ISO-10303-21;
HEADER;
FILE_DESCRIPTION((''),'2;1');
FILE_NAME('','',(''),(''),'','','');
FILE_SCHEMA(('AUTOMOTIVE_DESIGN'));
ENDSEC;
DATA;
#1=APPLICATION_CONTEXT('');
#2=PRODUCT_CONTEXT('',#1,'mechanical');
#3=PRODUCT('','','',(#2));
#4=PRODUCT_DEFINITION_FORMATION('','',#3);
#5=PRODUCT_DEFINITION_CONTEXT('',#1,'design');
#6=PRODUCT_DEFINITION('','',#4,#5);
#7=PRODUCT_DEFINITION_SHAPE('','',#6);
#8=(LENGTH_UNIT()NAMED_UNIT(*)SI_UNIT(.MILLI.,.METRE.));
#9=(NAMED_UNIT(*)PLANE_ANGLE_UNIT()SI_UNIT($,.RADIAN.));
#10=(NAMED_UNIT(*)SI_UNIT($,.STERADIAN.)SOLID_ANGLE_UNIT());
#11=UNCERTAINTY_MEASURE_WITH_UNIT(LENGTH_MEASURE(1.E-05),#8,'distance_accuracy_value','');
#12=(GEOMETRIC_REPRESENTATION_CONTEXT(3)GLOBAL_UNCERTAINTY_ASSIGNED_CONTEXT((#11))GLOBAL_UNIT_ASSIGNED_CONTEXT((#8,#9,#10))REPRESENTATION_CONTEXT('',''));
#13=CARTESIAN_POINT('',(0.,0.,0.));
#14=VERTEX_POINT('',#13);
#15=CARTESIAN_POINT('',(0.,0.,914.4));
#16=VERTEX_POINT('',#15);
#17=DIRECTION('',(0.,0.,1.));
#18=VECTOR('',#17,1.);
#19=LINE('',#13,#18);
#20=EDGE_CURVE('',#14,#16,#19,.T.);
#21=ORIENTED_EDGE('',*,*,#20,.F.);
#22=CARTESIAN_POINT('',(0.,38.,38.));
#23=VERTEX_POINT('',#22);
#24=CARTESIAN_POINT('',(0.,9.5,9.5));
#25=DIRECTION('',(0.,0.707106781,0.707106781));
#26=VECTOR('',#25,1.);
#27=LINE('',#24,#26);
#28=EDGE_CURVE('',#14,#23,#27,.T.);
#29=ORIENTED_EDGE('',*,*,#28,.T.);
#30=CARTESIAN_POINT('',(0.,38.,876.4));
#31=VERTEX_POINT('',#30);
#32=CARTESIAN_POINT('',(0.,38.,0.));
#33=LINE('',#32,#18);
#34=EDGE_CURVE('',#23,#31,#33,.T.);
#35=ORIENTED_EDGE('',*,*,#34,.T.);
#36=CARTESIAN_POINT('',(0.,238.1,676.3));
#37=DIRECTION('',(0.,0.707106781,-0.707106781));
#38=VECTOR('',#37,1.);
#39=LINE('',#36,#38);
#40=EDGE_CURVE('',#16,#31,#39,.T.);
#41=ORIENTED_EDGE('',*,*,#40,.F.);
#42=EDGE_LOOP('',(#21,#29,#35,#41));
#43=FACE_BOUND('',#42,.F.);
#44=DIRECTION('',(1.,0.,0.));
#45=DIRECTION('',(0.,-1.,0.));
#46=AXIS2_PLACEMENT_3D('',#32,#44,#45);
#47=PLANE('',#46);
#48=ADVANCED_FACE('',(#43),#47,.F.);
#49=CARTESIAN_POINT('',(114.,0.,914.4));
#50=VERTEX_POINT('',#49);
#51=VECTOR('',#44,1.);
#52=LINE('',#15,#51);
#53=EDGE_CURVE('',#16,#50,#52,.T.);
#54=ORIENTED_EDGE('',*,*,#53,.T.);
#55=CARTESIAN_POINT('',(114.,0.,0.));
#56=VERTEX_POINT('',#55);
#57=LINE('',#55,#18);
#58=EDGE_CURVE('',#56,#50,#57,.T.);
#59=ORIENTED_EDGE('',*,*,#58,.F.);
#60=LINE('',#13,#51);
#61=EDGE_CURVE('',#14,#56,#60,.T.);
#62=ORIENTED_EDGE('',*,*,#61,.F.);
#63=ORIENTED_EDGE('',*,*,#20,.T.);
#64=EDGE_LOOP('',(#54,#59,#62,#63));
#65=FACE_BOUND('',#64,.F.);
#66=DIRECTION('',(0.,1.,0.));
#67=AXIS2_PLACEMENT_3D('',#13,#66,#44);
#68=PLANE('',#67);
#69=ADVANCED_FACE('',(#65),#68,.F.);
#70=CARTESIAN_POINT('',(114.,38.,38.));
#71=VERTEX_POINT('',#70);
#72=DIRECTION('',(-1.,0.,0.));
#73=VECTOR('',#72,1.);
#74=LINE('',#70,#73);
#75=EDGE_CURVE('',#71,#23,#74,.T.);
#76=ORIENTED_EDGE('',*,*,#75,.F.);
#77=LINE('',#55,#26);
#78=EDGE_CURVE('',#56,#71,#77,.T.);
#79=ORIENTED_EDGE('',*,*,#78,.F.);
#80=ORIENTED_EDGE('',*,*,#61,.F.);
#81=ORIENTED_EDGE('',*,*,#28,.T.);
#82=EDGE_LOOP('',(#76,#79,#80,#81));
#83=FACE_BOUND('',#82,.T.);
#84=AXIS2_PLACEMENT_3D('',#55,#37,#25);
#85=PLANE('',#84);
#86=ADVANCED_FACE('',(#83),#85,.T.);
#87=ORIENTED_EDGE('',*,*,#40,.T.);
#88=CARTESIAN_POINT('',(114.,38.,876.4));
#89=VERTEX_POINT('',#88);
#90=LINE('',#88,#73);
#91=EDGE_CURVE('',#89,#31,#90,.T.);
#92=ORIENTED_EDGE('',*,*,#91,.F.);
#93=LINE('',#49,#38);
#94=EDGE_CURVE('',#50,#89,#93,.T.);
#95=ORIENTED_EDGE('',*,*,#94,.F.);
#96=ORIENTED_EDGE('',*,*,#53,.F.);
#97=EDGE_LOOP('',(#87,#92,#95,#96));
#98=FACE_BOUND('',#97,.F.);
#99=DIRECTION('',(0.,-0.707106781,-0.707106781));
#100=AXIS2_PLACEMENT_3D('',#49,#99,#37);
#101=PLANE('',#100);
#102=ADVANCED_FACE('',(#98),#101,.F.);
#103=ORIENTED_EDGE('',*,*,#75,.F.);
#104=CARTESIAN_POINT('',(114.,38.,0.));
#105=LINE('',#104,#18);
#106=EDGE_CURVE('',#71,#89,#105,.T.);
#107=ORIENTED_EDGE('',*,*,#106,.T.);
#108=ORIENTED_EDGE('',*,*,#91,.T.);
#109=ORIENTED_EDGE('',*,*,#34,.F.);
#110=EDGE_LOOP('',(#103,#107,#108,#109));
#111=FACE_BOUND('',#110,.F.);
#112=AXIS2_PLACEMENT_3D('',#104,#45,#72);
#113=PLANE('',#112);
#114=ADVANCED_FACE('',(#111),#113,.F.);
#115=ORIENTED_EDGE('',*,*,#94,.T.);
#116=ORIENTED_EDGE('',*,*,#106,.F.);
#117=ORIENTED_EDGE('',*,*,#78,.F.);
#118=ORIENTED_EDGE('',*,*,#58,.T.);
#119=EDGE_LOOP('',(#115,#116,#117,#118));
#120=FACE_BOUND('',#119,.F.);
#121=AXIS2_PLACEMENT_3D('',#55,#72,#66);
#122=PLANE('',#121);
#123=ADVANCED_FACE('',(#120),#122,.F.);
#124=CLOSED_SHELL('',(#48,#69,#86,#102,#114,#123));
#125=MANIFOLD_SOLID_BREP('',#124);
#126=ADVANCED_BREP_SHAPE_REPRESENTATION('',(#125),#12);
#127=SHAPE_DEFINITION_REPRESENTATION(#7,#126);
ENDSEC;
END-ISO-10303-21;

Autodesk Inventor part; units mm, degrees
ref_plane "YZ Plane" through (0, 0, 0) normal (1, 0, 0) x (0, 1, 0)
ref_plane "XZ Plane" through (0, 0, 0) normal (0, 1, 0) x (-1, 0, 0)
ref_plane "XY Plane" through (0, 0, 0) normal (0, 0, 1) x (1, 0, 0)
sketch "Sketch1" plane through (0, 0, 0) normal (0, 0, 1) x (1, 0, 0)
  line L0 (0, 0) -> (114, 0)
  line L1 (114, 0) -> (114, 38)
  line L2 (114, 38) -> (0, 38)
  line L3 (0, 38) -> (0, 0)
  dimension "d0" = 114
  dimension "d1" = 38
extrude "Extrusion1" add sketch "Sketch1" along normal blind 914.4
sketch "Sketch7" plane through (114, 0, 0) normal (1, 0, 0) x (0, 0, -1)
  line L0 (0, 0) -> (0, 38) projected
  line L1 (0, 38) -> (-914.4, 38) projected
  line L2 (-914.4, 0) -> (-914.4, 38) projected
  line L3 (-914.4, 0) -> (-876.4, 38)
  line L4 (-914.4, 0) -> (-821.5343, 0) construction
  line L5 (0, 0) -> (-38, 38)
  line L6 (0, 0) -> (114.326, 0) construction
  dimension "d20" = 45
  dimension "d21" = 135
extrude "Extrusion3" cut sketch "Sketch7" against normal blind 254
properties part number "1p2poscr" material "Wood (Cherry)"
